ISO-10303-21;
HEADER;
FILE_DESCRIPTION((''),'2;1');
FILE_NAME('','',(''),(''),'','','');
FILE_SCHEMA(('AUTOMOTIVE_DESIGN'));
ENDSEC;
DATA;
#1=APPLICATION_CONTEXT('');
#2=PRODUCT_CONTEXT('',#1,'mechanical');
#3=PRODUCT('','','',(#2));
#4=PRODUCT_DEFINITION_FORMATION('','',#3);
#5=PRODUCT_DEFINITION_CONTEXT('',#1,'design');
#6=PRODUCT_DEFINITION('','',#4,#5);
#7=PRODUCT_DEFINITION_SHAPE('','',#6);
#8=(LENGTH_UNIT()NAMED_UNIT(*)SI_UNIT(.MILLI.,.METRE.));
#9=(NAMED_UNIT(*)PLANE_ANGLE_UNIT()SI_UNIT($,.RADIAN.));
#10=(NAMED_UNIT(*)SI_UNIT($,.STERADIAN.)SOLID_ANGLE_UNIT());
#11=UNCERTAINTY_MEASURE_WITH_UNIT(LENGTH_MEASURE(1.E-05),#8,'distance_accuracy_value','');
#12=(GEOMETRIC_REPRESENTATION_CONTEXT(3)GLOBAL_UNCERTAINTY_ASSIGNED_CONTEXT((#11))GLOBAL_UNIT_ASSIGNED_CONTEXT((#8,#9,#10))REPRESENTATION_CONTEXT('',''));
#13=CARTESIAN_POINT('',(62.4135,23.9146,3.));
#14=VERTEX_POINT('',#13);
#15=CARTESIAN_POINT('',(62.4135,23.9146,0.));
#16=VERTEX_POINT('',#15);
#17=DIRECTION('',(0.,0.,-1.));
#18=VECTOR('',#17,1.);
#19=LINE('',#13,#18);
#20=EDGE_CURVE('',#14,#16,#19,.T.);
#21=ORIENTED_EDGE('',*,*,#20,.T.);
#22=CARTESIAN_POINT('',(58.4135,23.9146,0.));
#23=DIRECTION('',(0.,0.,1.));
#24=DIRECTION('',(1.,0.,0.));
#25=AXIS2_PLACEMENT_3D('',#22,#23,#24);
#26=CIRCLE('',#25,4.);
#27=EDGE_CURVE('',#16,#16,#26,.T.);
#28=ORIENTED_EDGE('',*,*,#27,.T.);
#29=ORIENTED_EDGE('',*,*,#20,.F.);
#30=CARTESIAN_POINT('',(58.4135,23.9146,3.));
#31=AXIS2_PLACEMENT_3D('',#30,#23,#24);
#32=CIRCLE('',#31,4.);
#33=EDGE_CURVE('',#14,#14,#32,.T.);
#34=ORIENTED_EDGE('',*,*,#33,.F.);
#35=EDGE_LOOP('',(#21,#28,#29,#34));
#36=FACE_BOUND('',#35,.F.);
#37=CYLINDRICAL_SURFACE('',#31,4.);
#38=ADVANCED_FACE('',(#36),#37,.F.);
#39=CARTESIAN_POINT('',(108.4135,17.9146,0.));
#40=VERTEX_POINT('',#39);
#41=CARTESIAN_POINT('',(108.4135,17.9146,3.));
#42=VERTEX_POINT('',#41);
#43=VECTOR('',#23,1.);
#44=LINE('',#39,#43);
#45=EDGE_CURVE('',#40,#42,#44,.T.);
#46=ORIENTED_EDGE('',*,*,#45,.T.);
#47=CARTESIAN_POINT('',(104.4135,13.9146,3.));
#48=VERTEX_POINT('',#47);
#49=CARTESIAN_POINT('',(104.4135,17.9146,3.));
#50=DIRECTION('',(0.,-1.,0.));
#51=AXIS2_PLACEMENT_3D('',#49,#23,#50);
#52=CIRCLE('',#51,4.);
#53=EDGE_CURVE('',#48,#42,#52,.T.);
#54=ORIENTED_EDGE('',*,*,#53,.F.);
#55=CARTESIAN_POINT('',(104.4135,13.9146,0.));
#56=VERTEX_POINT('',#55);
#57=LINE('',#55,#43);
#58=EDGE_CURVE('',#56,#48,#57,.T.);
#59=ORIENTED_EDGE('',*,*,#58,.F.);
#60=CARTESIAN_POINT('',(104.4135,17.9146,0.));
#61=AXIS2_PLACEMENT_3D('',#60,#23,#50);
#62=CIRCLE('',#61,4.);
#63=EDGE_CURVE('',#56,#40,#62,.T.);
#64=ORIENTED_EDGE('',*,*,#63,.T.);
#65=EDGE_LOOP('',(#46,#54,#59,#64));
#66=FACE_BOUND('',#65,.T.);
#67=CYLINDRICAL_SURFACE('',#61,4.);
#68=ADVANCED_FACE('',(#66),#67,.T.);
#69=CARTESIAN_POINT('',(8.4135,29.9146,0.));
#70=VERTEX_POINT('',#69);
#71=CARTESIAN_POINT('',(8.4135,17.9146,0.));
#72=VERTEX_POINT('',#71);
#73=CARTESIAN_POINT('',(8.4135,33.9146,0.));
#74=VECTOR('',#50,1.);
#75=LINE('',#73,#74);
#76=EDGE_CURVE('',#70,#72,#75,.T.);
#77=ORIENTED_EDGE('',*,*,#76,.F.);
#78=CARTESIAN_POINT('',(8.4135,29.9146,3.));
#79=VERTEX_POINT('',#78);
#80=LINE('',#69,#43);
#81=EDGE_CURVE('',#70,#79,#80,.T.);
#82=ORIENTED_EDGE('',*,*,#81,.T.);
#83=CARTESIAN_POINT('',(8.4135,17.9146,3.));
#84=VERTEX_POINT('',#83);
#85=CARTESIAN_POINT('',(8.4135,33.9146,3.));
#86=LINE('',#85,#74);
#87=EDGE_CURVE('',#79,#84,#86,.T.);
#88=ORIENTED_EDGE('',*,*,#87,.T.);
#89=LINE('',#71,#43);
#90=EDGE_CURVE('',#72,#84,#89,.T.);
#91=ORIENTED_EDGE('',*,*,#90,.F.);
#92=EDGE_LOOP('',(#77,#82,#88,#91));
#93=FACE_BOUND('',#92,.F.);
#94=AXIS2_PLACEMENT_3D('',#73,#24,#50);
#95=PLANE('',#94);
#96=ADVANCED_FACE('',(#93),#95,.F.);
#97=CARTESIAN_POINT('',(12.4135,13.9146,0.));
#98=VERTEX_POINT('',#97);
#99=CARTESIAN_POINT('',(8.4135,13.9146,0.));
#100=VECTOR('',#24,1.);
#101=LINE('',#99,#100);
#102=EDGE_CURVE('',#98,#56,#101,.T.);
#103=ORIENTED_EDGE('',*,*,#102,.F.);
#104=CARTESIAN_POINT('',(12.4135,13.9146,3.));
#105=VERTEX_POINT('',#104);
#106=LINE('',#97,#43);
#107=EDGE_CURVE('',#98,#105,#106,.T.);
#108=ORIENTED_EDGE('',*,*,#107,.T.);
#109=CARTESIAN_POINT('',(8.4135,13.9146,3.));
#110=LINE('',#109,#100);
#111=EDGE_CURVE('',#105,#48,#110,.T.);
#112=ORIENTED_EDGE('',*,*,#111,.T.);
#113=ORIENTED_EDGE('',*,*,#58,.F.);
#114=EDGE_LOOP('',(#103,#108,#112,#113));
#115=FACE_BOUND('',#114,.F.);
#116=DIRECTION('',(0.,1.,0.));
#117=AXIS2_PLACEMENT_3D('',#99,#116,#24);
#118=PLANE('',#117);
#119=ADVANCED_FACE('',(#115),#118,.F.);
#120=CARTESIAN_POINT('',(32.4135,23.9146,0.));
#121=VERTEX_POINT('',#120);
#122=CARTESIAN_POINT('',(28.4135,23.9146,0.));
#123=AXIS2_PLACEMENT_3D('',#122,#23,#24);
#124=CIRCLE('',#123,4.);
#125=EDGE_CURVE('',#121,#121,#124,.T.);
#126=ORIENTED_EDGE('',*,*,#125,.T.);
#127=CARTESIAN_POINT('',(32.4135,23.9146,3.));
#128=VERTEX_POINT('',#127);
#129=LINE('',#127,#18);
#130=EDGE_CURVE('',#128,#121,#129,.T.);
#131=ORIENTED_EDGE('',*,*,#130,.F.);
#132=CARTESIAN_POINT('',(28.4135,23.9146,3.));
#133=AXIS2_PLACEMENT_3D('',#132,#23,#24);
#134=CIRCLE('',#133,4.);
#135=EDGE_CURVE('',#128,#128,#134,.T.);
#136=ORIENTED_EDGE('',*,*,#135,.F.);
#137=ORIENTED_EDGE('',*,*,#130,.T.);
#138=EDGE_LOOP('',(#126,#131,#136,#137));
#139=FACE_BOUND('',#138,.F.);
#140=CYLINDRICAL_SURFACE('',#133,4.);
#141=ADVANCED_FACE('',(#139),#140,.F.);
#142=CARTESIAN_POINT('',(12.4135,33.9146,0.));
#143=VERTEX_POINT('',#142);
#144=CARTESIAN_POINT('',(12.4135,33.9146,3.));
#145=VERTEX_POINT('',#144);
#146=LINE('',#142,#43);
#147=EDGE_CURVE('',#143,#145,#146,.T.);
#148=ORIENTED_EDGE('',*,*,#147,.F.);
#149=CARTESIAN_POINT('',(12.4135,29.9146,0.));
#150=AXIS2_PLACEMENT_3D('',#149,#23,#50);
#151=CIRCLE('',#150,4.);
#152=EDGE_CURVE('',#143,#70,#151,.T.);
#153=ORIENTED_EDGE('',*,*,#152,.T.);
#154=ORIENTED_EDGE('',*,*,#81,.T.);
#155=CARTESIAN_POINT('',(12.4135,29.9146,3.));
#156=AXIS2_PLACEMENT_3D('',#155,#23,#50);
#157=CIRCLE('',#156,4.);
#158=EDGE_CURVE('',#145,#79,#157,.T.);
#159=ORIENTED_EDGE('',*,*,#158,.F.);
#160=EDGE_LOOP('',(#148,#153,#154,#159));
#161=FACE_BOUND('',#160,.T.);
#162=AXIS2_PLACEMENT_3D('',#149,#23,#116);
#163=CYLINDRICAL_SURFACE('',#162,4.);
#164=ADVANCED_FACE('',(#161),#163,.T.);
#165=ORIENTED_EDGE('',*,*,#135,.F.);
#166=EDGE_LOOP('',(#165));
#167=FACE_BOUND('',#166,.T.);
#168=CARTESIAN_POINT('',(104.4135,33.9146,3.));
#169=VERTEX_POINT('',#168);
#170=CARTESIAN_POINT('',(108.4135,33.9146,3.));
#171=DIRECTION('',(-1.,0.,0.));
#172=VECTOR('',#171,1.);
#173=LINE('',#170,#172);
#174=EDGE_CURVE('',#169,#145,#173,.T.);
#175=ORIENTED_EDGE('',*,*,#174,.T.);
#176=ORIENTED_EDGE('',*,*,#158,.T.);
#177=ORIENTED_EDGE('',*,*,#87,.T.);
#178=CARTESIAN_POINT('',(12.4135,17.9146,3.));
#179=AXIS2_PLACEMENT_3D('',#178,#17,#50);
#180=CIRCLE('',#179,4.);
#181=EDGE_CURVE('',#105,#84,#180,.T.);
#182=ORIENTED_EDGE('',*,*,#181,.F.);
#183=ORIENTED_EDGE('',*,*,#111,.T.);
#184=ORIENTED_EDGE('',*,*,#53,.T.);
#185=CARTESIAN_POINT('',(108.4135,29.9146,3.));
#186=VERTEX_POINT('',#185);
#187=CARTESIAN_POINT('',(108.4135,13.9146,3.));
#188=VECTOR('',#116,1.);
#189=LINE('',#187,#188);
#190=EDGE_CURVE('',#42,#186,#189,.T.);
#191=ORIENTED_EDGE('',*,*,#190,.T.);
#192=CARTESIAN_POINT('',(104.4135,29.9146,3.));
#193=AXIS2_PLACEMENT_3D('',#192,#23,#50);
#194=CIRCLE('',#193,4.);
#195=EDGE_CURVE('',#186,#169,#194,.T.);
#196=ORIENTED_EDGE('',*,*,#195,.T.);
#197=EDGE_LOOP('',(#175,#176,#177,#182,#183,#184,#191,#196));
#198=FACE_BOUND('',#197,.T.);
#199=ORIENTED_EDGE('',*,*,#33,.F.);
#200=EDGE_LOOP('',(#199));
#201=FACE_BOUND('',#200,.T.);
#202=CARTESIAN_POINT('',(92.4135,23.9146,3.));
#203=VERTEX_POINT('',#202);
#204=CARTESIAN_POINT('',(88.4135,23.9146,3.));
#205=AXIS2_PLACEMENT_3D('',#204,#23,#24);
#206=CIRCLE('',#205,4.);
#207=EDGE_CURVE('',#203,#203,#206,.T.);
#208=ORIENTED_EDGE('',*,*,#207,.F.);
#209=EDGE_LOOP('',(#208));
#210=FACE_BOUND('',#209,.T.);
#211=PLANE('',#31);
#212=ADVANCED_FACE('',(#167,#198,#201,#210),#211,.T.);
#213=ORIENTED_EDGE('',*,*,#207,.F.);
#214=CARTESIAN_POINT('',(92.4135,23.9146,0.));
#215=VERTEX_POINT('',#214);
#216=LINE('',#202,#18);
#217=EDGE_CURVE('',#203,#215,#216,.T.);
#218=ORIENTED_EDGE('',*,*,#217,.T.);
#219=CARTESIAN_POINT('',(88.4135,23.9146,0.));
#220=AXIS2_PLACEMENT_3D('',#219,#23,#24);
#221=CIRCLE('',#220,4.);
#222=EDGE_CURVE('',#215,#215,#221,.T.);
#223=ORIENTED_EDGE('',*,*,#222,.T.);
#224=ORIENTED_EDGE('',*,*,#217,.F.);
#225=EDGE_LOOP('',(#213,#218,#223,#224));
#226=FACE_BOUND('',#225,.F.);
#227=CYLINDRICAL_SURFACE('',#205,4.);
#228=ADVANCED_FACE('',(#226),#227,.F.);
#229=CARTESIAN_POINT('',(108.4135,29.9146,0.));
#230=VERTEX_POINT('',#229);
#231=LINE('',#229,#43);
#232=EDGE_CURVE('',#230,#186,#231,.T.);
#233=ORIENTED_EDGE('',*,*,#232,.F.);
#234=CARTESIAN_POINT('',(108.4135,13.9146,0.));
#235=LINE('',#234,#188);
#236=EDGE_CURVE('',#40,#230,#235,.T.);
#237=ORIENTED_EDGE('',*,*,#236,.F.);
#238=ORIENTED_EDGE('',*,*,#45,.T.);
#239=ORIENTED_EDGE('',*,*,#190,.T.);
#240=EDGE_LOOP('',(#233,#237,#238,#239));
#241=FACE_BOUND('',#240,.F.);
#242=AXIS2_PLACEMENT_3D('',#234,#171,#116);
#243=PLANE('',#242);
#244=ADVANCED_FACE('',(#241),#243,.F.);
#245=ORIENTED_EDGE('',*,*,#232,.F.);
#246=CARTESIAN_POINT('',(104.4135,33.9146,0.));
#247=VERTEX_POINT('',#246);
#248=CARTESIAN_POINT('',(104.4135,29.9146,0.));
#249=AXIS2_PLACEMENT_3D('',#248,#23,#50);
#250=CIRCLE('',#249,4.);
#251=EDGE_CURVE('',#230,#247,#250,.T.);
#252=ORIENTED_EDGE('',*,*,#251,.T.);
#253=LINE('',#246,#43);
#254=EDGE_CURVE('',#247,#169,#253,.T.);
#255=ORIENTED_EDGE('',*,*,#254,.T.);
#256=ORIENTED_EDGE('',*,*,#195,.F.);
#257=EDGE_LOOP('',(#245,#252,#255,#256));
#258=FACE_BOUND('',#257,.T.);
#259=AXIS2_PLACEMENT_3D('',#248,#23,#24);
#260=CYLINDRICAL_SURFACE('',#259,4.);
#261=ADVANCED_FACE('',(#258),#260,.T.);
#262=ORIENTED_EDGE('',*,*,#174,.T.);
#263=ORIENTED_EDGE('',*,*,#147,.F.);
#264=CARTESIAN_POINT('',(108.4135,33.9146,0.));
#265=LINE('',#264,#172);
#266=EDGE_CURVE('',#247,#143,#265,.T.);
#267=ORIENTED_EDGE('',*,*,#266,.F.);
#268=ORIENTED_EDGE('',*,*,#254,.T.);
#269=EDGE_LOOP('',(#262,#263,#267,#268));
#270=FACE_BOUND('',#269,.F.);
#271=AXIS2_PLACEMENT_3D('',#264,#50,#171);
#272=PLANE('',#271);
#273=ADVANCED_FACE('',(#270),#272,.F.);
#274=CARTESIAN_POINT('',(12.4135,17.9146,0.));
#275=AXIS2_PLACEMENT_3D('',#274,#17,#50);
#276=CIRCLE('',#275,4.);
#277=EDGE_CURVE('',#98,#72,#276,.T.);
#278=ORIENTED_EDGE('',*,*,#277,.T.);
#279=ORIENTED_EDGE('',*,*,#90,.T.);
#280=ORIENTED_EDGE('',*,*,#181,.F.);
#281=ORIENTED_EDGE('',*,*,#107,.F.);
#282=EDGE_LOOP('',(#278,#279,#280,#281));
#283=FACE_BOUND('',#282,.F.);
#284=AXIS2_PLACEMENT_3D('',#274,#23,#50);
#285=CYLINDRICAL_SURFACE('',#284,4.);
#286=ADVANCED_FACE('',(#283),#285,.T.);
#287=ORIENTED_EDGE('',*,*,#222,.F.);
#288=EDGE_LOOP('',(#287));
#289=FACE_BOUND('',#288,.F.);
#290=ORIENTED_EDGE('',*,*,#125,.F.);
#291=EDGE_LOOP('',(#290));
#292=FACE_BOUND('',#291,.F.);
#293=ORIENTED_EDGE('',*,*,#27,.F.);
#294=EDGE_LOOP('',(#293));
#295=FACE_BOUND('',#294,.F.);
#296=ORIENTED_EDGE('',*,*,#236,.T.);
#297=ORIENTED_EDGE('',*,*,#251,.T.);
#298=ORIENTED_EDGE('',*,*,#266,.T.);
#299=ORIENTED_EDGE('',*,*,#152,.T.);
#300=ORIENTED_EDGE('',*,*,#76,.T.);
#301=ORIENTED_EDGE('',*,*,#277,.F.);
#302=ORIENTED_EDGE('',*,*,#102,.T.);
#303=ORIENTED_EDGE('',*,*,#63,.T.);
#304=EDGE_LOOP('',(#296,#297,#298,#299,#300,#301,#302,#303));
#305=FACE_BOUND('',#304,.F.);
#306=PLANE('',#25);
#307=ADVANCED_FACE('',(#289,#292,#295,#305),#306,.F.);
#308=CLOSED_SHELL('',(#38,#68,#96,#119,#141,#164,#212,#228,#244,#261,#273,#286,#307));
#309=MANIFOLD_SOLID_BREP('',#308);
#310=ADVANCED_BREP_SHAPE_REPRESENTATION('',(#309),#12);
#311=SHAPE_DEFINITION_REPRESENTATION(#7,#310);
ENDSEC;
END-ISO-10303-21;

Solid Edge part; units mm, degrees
sketch "Sketch1" plane through (0, 0, 0) normal (0, 0, 1) x (1, 0, 0)
  line L0 (8.4135, 13.9146) -> (108.4135, 13.9146)
  line L1 (108.4135, 13.9146) -> (108.4135, 33.9146)
  line L2 (108.4135, 33.9146) -> (8.4135, 33.9146)
  line L3 (8.4135, 33.9146) -> (8.4135, 13.9146)
extrude "Protrusion1" add sketch "Sketch1" along normal blind 3
fillet "Round_1" radius 4 4 edges at (8.4135, 13.9146, 1.5) (108.4135, 13.9146, 1.5) (108.4135, 33.9146, 1.5) (8.4135, 33.9146, 1.5)
sketch "Sketch2" plane through (58.4135, 23.9146, 3) normal (0, 0, 1) x (1, 0, 0)
  circle A0 centre (-30, 0) radius 4
  circle A1 centre (0, 0) radius 4
  circle A2 centre (30, 0) radius 4
  dimension "D1" = 20
  dimension "D2" = 20
extrude "Cutout1" cut sketch "Sketch2" against normal through all
